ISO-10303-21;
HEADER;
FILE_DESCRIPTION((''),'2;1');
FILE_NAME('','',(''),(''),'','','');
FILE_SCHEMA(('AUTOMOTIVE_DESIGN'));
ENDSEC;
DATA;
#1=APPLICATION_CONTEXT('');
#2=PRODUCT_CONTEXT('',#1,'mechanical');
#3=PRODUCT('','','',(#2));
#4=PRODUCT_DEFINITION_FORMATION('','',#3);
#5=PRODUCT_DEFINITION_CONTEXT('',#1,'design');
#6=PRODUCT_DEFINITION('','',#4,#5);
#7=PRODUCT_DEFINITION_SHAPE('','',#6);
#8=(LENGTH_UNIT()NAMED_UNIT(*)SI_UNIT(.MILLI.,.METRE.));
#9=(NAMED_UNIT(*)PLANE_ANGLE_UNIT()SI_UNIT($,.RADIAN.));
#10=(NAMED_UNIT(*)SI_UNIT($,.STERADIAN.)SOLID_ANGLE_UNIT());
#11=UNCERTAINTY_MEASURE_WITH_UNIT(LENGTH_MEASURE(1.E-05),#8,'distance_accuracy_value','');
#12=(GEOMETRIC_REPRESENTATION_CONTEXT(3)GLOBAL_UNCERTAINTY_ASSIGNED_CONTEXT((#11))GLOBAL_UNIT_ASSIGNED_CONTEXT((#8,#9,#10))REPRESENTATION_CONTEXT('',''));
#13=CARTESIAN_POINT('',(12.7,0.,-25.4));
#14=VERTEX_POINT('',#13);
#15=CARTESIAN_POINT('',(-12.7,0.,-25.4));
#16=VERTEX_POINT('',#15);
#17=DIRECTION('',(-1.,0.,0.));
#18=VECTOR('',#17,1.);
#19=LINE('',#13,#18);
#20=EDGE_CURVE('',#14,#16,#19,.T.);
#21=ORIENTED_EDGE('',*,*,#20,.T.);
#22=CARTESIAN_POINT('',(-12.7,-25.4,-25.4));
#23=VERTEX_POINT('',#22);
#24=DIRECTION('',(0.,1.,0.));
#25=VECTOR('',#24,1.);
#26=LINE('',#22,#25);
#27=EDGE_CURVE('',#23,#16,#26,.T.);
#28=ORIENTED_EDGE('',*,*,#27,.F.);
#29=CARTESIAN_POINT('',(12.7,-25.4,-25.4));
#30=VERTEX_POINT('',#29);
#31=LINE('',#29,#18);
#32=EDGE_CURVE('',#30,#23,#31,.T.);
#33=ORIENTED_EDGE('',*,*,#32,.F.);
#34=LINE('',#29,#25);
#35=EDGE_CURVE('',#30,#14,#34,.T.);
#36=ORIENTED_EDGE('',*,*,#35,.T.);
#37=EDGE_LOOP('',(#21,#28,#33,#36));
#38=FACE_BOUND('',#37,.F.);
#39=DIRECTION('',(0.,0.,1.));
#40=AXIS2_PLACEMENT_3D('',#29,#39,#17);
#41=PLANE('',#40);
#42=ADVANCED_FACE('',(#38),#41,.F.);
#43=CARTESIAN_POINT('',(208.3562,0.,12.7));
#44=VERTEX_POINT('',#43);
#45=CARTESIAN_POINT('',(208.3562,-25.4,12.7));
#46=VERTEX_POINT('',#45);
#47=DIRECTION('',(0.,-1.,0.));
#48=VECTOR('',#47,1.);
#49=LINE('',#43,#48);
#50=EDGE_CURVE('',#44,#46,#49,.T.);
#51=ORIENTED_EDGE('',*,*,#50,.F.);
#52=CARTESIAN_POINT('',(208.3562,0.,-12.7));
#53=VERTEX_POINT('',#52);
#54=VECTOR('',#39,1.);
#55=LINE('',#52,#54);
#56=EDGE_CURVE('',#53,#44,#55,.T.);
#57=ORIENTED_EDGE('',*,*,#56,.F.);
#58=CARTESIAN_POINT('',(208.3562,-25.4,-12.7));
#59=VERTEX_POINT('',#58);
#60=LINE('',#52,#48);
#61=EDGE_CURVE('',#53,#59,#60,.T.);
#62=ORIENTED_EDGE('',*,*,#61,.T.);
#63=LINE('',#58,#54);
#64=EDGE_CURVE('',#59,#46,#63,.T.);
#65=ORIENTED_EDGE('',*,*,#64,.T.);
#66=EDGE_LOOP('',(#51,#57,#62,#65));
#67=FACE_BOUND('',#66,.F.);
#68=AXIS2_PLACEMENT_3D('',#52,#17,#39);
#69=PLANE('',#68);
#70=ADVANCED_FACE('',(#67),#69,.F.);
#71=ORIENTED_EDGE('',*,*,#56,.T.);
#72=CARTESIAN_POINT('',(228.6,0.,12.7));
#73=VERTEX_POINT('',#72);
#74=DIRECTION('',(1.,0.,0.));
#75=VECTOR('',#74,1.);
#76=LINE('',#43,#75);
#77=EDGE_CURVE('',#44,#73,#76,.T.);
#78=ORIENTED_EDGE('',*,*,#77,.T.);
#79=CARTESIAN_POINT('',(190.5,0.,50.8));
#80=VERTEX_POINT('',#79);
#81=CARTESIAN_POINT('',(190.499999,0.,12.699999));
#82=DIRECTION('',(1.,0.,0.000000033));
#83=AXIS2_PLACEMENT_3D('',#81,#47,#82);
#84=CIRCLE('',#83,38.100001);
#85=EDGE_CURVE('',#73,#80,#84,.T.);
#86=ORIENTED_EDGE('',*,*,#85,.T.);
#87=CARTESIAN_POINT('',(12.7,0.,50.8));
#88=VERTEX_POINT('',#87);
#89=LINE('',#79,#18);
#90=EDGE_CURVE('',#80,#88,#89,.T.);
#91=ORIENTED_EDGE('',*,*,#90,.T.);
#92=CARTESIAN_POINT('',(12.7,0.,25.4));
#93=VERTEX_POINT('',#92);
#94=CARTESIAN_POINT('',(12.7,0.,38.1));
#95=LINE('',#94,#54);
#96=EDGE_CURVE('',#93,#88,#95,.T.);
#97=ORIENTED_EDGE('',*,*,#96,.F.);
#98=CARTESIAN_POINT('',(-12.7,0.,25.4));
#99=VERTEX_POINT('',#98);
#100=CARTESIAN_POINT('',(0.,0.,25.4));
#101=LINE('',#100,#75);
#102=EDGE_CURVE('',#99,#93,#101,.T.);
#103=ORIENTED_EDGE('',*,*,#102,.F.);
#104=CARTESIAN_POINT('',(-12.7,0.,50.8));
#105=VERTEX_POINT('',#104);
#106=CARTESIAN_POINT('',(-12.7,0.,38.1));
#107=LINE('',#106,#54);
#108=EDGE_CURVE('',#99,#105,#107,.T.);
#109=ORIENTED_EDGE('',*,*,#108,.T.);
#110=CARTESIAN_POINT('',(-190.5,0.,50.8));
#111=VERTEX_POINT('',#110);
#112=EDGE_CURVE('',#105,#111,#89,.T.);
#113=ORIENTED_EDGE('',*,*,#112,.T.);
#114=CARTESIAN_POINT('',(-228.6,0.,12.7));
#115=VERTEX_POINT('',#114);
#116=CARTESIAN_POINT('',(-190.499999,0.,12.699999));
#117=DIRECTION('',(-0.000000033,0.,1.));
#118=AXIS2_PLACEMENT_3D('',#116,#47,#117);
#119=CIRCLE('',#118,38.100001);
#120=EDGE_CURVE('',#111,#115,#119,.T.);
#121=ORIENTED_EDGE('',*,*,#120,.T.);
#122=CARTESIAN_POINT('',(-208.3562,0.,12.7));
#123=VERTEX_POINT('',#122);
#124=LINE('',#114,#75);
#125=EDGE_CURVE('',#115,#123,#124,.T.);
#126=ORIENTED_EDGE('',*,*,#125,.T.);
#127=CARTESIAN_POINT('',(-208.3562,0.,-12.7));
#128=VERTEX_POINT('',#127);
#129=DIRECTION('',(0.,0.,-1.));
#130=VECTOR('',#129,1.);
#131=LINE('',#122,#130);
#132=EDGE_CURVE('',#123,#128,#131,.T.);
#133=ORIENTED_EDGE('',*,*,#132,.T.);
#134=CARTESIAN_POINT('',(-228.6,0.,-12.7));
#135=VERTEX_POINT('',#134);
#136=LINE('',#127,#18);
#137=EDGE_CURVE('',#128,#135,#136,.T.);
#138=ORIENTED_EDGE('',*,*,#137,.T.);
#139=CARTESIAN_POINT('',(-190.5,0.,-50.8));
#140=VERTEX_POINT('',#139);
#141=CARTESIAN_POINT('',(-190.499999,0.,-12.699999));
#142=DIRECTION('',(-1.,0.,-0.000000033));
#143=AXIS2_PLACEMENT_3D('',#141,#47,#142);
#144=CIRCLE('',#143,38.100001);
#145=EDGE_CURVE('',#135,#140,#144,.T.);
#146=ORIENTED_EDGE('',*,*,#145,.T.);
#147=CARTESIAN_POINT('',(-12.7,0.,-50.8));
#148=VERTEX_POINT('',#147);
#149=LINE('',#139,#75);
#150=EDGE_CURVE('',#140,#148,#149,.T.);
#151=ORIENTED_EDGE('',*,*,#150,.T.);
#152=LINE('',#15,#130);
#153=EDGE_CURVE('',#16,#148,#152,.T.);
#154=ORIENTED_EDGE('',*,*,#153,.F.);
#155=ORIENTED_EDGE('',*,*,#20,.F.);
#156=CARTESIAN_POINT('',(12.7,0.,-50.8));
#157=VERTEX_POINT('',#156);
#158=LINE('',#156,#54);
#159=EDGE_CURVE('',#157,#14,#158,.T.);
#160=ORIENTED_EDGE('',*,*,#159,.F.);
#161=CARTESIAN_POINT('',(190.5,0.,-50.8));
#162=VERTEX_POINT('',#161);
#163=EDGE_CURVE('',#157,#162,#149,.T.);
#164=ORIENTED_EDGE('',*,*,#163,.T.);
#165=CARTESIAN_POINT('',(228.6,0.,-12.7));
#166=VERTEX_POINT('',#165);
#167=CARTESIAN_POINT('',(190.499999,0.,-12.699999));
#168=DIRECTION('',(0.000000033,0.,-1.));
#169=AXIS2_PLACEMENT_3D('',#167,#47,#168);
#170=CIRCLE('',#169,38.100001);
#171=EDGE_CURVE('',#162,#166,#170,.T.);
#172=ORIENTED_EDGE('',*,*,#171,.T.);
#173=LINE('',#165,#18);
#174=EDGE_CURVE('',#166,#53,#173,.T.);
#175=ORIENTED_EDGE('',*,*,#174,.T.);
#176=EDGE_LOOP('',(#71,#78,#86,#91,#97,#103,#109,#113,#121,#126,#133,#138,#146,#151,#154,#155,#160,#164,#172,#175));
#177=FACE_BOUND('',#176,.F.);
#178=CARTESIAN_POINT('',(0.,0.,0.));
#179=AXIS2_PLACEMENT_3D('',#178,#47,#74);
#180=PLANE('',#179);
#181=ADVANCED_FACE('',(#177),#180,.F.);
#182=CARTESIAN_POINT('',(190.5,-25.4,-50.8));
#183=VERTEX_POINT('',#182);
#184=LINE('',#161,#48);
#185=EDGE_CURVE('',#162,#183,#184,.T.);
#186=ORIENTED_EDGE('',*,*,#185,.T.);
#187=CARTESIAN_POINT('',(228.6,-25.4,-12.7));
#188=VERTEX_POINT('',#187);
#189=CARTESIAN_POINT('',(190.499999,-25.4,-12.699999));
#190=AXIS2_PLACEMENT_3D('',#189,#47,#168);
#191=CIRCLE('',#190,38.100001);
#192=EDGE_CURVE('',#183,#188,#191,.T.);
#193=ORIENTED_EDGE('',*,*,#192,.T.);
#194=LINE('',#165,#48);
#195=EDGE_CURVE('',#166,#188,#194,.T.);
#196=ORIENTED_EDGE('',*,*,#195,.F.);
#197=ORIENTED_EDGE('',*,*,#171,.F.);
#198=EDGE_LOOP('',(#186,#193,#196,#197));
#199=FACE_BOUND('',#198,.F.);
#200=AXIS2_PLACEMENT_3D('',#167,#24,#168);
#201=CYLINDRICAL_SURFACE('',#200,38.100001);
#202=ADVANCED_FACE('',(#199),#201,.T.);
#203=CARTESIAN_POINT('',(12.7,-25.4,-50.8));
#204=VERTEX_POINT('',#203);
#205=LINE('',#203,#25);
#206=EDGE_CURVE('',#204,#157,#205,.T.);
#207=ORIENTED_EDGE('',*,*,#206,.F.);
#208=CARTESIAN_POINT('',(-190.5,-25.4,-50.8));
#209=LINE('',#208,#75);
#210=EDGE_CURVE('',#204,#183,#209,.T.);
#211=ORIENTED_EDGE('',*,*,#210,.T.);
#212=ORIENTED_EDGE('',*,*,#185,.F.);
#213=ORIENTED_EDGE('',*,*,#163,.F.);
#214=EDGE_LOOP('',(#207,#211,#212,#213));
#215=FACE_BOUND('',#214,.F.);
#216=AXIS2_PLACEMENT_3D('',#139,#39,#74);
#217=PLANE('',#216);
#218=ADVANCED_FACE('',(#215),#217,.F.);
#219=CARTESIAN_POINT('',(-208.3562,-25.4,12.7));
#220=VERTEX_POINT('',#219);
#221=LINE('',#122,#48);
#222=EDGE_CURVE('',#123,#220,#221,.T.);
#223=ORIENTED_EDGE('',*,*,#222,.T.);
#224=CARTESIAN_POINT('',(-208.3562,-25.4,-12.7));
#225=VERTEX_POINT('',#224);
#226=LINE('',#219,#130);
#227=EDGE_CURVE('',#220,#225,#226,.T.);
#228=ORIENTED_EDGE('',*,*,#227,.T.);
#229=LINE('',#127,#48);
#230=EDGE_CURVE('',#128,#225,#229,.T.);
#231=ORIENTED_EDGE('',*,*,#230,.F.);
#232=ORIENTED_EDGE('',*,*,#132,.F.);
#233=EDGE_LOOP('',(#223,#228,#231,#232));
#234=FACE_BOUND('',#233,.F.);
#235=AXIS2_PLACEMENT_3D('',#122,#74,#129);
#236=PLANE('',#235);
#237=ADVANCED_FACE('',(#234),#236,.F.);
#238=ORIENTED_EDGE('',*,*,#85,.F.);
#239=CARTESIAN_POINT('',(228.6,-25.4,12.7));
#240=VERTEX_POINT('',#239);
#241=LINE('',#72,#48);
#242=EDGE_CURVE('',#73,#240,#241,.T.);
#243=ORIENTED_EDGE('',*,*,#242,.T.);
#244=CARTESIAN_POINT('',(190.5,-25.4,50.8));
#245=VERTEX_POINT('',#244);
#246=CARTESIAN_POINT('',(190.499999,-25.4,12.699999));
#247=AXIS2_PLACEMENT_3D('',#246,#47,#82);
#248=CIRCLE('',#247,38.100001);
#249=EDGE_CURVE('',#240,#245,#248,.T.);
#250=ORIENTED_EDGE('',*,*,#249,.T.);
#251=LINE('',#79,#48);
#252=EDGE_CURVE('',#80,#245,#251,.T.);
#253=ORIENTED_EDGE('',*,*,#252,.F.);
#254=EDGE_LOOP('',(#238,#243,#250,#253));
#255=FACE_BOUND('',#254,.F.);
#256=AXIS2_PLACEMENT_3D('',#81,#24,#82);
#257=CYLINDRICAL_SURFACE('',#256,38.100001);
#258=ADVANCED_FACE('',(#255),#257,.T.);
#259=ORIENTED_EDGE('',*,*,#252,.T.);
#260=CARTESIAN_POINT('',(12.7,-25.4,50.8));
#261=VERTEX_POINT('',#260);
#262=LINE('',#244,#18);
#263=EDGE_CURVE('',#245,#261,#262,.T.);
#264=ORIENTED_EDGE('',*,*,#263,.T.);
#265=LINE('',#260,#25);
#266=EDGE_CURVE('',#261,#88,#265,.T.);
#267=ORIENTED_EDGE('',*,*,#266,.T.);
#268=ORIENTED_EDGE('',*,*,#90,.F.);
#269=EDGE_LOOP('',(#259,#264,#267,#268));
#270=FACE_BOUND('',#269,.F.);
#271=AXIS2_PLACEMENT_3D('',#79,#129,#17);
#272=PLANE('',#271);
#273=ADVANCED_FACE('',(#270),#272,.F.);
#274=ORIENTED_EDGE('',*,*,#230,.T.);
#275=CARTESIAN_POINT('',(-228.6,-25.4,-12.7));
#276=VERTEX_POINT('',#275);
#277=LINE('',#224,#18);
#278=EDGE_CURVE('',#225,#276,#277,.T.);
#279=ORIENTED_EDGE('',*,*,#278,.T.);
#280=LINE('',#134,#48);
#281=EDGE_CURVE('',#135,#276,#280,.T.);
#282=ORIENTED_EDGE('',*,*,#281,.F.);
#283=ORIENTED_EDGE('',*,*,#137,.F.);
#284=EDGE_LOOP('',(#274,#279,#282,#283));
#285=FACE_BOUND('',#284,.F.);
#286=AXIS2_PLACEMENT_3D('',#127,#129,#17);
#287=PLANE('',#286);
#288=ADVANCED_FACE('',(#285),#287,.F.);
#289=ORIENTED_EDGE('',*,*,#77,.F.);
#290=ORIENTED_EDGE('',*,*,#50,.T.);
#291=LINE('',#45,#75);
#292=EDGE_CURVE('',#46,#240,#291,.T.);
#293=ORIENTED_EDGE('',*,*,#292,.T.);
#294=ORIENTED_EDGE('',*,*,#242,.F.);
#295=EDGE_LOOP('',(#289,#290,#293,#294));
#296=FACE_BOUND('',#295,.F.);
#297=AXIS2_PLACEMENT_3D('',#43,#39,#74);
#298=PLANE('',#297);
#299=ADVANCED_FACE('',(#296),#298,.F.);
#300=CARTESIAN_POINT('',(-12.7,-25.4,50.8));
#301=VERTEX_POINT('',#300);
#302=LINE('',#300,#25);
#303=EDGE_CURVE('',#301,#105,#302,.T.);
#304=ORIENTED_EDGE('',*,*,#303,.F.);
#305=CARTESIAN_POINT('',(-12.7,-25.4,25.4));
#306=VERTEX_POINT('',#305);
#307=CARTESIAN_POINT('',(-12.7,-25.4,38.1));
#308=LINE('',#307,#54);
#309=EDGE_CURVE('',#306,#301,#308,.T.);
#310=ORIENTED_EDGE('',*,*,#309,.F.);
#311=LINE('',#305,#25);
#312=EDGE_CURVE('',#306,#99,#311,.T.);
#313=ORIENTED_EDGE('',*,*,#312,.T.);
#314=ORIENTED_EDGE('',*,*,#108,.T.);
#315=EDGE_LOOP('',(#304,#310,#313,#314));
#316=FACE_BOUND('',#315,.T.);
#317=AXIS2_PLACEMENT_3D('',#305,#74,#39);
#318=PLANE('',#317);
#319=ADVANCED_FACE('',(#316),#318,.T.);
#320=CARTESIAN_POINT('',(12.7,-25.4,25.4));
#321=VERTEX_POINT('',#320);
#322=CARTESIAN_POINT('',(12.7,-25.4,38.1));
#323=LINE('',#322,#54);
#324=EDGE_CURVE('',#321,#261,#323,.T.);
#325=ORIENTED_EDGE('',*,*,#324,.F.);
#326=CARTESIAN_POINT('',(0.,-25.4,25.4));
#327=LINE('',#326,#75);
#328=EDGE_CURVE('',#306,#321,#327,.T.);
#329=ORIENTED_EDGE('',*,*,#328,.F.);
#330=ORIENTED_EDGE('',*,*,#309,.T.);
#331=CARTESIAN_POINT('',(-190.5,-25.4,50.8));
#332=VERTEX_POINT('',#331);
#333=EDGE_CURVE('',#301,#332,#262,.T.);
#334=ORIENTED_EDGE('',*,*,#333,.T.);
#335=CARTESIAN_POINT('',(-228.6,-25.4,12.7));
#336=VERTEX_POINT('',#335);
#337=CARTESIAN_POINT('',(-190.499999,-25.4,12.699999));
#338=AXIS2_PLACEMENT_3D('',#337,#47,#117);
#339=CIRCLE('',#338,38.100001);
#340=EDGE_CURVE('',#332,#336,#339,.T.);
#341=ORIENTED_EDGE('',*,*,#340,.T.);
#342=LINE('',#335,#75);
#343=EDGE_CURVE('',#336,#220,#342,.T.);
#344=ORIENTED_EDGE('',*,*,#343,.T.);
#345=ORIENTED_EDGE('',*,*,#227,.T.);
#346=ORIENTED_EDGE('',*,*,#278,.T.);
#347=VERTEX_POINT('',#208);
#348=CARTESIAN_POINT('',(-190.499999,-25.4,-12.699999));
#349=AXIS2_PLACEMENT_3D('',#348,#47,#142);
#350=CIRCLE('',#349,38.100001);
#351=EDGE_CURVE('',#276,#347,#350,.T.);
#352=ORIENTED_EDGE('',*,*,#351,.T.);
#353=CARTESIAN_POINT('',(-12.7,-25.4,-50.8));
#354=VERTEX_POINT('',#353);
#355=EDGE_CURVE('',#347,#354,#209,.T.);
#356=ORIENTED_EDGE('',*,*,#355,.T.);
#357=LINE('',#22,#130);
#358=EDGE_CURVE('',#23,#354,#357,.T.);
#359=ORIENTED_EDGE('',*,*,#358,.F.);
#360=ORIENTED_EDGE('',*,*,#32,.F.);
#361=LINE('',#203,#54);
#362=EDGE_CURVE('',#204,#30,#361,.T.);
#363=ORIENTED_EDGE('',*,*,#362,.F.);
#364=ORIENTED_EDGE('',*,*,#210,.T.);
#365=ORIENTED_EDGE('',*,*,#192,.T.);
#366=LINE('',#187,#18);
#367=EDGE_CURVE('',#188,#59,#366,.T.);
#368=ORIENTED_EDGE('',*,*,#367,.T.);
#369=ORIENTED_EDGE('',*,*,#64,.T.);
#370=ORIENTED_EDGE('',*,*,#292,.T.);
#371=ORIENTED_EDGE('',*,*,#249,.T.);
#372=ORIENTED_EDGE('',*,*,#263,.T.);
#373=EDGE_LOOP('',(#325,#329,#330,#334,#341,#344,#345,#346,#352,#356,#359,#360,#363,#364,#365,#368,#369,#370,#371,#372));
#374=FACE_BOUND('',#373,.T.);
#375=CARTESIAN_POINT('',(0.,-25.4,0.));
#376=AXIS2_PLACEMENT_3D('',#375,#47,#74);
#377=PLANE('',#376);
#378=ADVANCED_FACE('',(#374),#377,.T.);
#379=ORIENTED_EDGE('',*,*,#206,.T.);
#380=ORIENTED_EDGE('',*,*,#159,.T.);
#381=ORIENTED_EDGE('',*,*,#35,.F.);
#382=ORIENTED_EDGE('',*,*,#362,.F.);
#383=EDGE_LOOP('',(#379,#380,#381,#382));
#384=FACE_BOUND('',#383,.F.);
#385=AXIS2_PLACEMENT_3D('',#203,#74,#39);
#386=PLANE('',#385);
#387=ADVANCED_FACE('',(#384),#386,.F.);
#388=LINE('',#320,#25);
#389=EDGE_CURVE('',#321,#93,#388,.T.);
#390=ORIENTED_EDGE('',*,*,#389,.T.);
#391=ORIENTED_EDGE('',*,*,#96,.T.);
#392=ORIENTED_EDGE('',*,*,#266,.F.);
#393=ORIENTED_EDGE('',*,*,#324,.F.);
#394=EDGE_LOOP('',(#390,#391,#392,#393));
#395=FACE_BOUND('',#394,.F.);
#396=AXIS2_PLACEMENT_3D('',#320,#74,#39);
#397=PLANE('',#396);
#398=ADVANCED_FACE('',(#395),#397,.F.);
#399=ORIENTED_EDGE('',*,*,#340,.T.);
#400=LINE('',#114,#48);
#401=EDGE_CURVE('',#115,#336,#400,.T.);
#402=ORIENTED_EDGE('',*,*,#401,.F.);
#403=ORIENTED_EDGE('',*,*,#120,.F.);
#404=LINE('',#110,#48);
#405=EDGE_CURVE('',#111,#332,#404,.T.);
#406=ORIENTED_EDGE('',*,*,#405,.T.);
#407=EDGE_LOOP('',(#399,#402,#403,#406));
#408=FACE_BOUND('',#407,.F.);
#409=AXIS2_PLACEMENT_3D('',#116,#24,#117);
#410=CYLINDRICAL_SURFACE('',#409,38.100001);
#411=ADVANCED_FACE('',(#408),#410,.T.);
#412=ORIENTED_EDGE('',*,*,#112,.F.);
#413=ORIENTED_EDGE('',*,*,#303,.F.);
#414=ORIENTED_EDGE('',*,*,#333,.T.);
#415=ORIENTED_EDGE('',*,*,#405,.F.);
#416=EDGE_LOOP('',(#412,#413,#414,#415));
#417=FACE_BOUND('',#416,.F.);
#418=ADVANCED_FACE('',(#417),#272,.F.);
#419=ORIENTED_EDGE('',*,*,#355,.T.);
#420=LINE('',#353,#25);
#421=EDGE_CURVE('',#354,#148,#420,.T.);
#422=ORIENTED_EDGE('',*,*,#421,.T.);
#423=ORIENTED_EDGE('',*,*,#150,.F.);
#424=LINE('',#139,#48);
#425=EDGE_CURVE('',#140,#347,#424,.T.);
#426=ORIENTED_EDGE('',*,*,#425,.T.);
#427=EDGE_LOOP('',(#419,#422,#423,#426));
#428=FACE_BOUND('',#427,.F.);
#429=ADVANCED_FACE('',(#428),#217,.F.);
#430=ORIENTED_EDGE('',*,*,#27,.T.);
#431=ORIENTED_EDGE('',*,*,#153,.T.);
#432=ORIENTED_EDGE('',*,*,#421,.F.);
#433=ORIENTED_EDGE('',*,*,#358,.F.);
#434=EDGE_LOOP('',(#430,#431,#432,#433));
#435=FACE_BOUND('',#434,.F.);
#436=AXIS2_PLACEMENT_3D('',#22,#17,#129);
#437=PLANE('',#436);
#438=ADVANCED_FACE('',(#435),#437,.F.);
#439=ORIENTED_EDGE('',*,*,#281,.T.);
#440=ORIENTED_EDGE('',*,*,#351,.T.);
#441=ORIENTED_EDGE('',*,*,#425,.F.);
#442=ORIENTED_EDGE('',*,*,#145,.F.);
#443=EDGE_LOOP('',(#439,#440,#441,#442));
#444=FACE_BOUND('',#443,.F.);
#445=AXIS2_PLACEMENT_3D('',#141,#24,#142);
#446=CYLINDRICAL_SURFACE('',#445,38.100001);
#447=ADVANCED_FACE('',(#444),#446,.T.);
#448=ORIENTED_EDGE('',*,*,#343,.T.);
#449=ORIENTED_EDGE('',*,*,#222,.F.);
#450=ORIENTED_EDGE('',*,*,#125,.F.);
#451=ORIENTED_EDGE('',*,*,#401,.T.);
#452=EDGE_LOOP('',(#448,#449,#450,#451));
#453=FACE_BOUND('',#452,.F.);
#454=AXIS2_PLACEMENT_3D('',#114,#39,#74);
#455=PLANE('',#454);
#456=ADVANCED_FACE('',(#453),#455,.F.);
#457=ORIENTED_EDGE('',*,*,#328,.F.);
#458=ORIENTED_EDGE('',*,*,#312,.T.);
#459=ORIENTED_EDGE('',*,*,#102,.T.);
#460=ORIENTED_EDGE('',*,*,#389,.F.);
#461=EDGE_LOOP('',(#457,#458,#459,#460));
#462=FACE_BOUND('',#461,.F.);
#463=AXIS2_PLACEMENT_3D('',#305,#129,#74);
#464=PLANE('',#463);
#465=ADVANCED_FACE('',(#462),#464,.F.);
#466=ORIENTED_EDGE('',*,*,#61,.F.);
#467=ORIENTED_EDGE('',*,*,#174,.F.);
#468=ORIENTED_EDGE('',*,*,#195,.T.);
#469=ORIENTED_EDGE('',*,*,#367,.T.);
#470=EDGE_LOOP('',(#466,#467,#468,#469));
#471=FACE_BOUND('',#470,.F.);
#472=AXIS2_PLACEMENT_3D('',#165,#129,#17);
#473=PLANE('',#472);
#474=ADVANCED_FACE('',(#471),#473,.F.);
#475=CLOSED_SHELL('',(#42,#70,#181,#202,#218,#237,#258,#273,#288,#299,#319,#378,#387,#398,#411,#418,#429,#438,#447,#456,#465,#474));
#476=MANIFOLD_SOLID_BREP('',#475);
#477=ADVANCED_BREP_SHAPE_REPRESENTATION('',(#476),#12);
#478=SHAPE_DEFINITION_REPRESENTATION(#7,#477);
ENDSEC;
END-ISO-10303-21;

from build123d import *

# Parameters (mm, degrees)
F1_DEPTH = 25.4
F2_W     = 25.4
F2_H     = 25.4
F3_DEPTH = 25.4


with BuildPart() as f1:
    # F0 (on Front) → F1 (new body)
    with BuildSketch(Plane.XZ):
        with BuildLine():
            Line((190.5, 50.8), (0, 50.8))
            Line((0, 50.8), (-190.5, 50.8))
            ThreePointArc((-190.5, 50.8), (-217.440768, 39.640768), (-228.6, 12.7))
            Line((-228.6, 12.7), (-208.3562, 12.7))
            Line((-208.3562, 12.7), (-208.3562, 0))
            Line((-208.3562, 0), (-208.3562, -12.7))
            Line((-208.3562, -12.7), (-228.6, -12.7))
            ThreePointArc((-228.6, -12.7), (-217.440768, -39.640768), (-190.5, -50.8))
            Line((-190.5, -50.8), (0, -50.8))
            Line((0, -50.8), (190.5, -50.8))
            ThreePointArc((190.5, -50.8), (217.440768, -39.640768), (228.6, -12.7))
            Line((228.6, -12.7), (208.3562, -12.7))
            Line((208.3562, -12.7), (208.3562, 0))
            Line((208.3562, 0), (208.3562, 12.7))
            Line((208.3562, 12.7), (228.6, 12.7))
            ThreePointArc((228.6, 12.7), (217.440768, 39.640768), (190.5, 50.8))
        make_face()
    extrude(amount=F1_DEPTH)

    # F2 (on face) → F3 (cut)
    with BuildSketch(Plane.XZ.offset(25.4)):
        with Locations((0, 38.1)):
            Rectangle(F2_W, F2_H)
        Polygon((-12.7, -25.4), (-12.7, -50.8), (12.7, -50.8), (12.7, -25.4), (0, -25.4), align=None)
    extrude(amount=-F3_DEPTH, mode=Mode.SUBTRACT)


solid = f1.part
